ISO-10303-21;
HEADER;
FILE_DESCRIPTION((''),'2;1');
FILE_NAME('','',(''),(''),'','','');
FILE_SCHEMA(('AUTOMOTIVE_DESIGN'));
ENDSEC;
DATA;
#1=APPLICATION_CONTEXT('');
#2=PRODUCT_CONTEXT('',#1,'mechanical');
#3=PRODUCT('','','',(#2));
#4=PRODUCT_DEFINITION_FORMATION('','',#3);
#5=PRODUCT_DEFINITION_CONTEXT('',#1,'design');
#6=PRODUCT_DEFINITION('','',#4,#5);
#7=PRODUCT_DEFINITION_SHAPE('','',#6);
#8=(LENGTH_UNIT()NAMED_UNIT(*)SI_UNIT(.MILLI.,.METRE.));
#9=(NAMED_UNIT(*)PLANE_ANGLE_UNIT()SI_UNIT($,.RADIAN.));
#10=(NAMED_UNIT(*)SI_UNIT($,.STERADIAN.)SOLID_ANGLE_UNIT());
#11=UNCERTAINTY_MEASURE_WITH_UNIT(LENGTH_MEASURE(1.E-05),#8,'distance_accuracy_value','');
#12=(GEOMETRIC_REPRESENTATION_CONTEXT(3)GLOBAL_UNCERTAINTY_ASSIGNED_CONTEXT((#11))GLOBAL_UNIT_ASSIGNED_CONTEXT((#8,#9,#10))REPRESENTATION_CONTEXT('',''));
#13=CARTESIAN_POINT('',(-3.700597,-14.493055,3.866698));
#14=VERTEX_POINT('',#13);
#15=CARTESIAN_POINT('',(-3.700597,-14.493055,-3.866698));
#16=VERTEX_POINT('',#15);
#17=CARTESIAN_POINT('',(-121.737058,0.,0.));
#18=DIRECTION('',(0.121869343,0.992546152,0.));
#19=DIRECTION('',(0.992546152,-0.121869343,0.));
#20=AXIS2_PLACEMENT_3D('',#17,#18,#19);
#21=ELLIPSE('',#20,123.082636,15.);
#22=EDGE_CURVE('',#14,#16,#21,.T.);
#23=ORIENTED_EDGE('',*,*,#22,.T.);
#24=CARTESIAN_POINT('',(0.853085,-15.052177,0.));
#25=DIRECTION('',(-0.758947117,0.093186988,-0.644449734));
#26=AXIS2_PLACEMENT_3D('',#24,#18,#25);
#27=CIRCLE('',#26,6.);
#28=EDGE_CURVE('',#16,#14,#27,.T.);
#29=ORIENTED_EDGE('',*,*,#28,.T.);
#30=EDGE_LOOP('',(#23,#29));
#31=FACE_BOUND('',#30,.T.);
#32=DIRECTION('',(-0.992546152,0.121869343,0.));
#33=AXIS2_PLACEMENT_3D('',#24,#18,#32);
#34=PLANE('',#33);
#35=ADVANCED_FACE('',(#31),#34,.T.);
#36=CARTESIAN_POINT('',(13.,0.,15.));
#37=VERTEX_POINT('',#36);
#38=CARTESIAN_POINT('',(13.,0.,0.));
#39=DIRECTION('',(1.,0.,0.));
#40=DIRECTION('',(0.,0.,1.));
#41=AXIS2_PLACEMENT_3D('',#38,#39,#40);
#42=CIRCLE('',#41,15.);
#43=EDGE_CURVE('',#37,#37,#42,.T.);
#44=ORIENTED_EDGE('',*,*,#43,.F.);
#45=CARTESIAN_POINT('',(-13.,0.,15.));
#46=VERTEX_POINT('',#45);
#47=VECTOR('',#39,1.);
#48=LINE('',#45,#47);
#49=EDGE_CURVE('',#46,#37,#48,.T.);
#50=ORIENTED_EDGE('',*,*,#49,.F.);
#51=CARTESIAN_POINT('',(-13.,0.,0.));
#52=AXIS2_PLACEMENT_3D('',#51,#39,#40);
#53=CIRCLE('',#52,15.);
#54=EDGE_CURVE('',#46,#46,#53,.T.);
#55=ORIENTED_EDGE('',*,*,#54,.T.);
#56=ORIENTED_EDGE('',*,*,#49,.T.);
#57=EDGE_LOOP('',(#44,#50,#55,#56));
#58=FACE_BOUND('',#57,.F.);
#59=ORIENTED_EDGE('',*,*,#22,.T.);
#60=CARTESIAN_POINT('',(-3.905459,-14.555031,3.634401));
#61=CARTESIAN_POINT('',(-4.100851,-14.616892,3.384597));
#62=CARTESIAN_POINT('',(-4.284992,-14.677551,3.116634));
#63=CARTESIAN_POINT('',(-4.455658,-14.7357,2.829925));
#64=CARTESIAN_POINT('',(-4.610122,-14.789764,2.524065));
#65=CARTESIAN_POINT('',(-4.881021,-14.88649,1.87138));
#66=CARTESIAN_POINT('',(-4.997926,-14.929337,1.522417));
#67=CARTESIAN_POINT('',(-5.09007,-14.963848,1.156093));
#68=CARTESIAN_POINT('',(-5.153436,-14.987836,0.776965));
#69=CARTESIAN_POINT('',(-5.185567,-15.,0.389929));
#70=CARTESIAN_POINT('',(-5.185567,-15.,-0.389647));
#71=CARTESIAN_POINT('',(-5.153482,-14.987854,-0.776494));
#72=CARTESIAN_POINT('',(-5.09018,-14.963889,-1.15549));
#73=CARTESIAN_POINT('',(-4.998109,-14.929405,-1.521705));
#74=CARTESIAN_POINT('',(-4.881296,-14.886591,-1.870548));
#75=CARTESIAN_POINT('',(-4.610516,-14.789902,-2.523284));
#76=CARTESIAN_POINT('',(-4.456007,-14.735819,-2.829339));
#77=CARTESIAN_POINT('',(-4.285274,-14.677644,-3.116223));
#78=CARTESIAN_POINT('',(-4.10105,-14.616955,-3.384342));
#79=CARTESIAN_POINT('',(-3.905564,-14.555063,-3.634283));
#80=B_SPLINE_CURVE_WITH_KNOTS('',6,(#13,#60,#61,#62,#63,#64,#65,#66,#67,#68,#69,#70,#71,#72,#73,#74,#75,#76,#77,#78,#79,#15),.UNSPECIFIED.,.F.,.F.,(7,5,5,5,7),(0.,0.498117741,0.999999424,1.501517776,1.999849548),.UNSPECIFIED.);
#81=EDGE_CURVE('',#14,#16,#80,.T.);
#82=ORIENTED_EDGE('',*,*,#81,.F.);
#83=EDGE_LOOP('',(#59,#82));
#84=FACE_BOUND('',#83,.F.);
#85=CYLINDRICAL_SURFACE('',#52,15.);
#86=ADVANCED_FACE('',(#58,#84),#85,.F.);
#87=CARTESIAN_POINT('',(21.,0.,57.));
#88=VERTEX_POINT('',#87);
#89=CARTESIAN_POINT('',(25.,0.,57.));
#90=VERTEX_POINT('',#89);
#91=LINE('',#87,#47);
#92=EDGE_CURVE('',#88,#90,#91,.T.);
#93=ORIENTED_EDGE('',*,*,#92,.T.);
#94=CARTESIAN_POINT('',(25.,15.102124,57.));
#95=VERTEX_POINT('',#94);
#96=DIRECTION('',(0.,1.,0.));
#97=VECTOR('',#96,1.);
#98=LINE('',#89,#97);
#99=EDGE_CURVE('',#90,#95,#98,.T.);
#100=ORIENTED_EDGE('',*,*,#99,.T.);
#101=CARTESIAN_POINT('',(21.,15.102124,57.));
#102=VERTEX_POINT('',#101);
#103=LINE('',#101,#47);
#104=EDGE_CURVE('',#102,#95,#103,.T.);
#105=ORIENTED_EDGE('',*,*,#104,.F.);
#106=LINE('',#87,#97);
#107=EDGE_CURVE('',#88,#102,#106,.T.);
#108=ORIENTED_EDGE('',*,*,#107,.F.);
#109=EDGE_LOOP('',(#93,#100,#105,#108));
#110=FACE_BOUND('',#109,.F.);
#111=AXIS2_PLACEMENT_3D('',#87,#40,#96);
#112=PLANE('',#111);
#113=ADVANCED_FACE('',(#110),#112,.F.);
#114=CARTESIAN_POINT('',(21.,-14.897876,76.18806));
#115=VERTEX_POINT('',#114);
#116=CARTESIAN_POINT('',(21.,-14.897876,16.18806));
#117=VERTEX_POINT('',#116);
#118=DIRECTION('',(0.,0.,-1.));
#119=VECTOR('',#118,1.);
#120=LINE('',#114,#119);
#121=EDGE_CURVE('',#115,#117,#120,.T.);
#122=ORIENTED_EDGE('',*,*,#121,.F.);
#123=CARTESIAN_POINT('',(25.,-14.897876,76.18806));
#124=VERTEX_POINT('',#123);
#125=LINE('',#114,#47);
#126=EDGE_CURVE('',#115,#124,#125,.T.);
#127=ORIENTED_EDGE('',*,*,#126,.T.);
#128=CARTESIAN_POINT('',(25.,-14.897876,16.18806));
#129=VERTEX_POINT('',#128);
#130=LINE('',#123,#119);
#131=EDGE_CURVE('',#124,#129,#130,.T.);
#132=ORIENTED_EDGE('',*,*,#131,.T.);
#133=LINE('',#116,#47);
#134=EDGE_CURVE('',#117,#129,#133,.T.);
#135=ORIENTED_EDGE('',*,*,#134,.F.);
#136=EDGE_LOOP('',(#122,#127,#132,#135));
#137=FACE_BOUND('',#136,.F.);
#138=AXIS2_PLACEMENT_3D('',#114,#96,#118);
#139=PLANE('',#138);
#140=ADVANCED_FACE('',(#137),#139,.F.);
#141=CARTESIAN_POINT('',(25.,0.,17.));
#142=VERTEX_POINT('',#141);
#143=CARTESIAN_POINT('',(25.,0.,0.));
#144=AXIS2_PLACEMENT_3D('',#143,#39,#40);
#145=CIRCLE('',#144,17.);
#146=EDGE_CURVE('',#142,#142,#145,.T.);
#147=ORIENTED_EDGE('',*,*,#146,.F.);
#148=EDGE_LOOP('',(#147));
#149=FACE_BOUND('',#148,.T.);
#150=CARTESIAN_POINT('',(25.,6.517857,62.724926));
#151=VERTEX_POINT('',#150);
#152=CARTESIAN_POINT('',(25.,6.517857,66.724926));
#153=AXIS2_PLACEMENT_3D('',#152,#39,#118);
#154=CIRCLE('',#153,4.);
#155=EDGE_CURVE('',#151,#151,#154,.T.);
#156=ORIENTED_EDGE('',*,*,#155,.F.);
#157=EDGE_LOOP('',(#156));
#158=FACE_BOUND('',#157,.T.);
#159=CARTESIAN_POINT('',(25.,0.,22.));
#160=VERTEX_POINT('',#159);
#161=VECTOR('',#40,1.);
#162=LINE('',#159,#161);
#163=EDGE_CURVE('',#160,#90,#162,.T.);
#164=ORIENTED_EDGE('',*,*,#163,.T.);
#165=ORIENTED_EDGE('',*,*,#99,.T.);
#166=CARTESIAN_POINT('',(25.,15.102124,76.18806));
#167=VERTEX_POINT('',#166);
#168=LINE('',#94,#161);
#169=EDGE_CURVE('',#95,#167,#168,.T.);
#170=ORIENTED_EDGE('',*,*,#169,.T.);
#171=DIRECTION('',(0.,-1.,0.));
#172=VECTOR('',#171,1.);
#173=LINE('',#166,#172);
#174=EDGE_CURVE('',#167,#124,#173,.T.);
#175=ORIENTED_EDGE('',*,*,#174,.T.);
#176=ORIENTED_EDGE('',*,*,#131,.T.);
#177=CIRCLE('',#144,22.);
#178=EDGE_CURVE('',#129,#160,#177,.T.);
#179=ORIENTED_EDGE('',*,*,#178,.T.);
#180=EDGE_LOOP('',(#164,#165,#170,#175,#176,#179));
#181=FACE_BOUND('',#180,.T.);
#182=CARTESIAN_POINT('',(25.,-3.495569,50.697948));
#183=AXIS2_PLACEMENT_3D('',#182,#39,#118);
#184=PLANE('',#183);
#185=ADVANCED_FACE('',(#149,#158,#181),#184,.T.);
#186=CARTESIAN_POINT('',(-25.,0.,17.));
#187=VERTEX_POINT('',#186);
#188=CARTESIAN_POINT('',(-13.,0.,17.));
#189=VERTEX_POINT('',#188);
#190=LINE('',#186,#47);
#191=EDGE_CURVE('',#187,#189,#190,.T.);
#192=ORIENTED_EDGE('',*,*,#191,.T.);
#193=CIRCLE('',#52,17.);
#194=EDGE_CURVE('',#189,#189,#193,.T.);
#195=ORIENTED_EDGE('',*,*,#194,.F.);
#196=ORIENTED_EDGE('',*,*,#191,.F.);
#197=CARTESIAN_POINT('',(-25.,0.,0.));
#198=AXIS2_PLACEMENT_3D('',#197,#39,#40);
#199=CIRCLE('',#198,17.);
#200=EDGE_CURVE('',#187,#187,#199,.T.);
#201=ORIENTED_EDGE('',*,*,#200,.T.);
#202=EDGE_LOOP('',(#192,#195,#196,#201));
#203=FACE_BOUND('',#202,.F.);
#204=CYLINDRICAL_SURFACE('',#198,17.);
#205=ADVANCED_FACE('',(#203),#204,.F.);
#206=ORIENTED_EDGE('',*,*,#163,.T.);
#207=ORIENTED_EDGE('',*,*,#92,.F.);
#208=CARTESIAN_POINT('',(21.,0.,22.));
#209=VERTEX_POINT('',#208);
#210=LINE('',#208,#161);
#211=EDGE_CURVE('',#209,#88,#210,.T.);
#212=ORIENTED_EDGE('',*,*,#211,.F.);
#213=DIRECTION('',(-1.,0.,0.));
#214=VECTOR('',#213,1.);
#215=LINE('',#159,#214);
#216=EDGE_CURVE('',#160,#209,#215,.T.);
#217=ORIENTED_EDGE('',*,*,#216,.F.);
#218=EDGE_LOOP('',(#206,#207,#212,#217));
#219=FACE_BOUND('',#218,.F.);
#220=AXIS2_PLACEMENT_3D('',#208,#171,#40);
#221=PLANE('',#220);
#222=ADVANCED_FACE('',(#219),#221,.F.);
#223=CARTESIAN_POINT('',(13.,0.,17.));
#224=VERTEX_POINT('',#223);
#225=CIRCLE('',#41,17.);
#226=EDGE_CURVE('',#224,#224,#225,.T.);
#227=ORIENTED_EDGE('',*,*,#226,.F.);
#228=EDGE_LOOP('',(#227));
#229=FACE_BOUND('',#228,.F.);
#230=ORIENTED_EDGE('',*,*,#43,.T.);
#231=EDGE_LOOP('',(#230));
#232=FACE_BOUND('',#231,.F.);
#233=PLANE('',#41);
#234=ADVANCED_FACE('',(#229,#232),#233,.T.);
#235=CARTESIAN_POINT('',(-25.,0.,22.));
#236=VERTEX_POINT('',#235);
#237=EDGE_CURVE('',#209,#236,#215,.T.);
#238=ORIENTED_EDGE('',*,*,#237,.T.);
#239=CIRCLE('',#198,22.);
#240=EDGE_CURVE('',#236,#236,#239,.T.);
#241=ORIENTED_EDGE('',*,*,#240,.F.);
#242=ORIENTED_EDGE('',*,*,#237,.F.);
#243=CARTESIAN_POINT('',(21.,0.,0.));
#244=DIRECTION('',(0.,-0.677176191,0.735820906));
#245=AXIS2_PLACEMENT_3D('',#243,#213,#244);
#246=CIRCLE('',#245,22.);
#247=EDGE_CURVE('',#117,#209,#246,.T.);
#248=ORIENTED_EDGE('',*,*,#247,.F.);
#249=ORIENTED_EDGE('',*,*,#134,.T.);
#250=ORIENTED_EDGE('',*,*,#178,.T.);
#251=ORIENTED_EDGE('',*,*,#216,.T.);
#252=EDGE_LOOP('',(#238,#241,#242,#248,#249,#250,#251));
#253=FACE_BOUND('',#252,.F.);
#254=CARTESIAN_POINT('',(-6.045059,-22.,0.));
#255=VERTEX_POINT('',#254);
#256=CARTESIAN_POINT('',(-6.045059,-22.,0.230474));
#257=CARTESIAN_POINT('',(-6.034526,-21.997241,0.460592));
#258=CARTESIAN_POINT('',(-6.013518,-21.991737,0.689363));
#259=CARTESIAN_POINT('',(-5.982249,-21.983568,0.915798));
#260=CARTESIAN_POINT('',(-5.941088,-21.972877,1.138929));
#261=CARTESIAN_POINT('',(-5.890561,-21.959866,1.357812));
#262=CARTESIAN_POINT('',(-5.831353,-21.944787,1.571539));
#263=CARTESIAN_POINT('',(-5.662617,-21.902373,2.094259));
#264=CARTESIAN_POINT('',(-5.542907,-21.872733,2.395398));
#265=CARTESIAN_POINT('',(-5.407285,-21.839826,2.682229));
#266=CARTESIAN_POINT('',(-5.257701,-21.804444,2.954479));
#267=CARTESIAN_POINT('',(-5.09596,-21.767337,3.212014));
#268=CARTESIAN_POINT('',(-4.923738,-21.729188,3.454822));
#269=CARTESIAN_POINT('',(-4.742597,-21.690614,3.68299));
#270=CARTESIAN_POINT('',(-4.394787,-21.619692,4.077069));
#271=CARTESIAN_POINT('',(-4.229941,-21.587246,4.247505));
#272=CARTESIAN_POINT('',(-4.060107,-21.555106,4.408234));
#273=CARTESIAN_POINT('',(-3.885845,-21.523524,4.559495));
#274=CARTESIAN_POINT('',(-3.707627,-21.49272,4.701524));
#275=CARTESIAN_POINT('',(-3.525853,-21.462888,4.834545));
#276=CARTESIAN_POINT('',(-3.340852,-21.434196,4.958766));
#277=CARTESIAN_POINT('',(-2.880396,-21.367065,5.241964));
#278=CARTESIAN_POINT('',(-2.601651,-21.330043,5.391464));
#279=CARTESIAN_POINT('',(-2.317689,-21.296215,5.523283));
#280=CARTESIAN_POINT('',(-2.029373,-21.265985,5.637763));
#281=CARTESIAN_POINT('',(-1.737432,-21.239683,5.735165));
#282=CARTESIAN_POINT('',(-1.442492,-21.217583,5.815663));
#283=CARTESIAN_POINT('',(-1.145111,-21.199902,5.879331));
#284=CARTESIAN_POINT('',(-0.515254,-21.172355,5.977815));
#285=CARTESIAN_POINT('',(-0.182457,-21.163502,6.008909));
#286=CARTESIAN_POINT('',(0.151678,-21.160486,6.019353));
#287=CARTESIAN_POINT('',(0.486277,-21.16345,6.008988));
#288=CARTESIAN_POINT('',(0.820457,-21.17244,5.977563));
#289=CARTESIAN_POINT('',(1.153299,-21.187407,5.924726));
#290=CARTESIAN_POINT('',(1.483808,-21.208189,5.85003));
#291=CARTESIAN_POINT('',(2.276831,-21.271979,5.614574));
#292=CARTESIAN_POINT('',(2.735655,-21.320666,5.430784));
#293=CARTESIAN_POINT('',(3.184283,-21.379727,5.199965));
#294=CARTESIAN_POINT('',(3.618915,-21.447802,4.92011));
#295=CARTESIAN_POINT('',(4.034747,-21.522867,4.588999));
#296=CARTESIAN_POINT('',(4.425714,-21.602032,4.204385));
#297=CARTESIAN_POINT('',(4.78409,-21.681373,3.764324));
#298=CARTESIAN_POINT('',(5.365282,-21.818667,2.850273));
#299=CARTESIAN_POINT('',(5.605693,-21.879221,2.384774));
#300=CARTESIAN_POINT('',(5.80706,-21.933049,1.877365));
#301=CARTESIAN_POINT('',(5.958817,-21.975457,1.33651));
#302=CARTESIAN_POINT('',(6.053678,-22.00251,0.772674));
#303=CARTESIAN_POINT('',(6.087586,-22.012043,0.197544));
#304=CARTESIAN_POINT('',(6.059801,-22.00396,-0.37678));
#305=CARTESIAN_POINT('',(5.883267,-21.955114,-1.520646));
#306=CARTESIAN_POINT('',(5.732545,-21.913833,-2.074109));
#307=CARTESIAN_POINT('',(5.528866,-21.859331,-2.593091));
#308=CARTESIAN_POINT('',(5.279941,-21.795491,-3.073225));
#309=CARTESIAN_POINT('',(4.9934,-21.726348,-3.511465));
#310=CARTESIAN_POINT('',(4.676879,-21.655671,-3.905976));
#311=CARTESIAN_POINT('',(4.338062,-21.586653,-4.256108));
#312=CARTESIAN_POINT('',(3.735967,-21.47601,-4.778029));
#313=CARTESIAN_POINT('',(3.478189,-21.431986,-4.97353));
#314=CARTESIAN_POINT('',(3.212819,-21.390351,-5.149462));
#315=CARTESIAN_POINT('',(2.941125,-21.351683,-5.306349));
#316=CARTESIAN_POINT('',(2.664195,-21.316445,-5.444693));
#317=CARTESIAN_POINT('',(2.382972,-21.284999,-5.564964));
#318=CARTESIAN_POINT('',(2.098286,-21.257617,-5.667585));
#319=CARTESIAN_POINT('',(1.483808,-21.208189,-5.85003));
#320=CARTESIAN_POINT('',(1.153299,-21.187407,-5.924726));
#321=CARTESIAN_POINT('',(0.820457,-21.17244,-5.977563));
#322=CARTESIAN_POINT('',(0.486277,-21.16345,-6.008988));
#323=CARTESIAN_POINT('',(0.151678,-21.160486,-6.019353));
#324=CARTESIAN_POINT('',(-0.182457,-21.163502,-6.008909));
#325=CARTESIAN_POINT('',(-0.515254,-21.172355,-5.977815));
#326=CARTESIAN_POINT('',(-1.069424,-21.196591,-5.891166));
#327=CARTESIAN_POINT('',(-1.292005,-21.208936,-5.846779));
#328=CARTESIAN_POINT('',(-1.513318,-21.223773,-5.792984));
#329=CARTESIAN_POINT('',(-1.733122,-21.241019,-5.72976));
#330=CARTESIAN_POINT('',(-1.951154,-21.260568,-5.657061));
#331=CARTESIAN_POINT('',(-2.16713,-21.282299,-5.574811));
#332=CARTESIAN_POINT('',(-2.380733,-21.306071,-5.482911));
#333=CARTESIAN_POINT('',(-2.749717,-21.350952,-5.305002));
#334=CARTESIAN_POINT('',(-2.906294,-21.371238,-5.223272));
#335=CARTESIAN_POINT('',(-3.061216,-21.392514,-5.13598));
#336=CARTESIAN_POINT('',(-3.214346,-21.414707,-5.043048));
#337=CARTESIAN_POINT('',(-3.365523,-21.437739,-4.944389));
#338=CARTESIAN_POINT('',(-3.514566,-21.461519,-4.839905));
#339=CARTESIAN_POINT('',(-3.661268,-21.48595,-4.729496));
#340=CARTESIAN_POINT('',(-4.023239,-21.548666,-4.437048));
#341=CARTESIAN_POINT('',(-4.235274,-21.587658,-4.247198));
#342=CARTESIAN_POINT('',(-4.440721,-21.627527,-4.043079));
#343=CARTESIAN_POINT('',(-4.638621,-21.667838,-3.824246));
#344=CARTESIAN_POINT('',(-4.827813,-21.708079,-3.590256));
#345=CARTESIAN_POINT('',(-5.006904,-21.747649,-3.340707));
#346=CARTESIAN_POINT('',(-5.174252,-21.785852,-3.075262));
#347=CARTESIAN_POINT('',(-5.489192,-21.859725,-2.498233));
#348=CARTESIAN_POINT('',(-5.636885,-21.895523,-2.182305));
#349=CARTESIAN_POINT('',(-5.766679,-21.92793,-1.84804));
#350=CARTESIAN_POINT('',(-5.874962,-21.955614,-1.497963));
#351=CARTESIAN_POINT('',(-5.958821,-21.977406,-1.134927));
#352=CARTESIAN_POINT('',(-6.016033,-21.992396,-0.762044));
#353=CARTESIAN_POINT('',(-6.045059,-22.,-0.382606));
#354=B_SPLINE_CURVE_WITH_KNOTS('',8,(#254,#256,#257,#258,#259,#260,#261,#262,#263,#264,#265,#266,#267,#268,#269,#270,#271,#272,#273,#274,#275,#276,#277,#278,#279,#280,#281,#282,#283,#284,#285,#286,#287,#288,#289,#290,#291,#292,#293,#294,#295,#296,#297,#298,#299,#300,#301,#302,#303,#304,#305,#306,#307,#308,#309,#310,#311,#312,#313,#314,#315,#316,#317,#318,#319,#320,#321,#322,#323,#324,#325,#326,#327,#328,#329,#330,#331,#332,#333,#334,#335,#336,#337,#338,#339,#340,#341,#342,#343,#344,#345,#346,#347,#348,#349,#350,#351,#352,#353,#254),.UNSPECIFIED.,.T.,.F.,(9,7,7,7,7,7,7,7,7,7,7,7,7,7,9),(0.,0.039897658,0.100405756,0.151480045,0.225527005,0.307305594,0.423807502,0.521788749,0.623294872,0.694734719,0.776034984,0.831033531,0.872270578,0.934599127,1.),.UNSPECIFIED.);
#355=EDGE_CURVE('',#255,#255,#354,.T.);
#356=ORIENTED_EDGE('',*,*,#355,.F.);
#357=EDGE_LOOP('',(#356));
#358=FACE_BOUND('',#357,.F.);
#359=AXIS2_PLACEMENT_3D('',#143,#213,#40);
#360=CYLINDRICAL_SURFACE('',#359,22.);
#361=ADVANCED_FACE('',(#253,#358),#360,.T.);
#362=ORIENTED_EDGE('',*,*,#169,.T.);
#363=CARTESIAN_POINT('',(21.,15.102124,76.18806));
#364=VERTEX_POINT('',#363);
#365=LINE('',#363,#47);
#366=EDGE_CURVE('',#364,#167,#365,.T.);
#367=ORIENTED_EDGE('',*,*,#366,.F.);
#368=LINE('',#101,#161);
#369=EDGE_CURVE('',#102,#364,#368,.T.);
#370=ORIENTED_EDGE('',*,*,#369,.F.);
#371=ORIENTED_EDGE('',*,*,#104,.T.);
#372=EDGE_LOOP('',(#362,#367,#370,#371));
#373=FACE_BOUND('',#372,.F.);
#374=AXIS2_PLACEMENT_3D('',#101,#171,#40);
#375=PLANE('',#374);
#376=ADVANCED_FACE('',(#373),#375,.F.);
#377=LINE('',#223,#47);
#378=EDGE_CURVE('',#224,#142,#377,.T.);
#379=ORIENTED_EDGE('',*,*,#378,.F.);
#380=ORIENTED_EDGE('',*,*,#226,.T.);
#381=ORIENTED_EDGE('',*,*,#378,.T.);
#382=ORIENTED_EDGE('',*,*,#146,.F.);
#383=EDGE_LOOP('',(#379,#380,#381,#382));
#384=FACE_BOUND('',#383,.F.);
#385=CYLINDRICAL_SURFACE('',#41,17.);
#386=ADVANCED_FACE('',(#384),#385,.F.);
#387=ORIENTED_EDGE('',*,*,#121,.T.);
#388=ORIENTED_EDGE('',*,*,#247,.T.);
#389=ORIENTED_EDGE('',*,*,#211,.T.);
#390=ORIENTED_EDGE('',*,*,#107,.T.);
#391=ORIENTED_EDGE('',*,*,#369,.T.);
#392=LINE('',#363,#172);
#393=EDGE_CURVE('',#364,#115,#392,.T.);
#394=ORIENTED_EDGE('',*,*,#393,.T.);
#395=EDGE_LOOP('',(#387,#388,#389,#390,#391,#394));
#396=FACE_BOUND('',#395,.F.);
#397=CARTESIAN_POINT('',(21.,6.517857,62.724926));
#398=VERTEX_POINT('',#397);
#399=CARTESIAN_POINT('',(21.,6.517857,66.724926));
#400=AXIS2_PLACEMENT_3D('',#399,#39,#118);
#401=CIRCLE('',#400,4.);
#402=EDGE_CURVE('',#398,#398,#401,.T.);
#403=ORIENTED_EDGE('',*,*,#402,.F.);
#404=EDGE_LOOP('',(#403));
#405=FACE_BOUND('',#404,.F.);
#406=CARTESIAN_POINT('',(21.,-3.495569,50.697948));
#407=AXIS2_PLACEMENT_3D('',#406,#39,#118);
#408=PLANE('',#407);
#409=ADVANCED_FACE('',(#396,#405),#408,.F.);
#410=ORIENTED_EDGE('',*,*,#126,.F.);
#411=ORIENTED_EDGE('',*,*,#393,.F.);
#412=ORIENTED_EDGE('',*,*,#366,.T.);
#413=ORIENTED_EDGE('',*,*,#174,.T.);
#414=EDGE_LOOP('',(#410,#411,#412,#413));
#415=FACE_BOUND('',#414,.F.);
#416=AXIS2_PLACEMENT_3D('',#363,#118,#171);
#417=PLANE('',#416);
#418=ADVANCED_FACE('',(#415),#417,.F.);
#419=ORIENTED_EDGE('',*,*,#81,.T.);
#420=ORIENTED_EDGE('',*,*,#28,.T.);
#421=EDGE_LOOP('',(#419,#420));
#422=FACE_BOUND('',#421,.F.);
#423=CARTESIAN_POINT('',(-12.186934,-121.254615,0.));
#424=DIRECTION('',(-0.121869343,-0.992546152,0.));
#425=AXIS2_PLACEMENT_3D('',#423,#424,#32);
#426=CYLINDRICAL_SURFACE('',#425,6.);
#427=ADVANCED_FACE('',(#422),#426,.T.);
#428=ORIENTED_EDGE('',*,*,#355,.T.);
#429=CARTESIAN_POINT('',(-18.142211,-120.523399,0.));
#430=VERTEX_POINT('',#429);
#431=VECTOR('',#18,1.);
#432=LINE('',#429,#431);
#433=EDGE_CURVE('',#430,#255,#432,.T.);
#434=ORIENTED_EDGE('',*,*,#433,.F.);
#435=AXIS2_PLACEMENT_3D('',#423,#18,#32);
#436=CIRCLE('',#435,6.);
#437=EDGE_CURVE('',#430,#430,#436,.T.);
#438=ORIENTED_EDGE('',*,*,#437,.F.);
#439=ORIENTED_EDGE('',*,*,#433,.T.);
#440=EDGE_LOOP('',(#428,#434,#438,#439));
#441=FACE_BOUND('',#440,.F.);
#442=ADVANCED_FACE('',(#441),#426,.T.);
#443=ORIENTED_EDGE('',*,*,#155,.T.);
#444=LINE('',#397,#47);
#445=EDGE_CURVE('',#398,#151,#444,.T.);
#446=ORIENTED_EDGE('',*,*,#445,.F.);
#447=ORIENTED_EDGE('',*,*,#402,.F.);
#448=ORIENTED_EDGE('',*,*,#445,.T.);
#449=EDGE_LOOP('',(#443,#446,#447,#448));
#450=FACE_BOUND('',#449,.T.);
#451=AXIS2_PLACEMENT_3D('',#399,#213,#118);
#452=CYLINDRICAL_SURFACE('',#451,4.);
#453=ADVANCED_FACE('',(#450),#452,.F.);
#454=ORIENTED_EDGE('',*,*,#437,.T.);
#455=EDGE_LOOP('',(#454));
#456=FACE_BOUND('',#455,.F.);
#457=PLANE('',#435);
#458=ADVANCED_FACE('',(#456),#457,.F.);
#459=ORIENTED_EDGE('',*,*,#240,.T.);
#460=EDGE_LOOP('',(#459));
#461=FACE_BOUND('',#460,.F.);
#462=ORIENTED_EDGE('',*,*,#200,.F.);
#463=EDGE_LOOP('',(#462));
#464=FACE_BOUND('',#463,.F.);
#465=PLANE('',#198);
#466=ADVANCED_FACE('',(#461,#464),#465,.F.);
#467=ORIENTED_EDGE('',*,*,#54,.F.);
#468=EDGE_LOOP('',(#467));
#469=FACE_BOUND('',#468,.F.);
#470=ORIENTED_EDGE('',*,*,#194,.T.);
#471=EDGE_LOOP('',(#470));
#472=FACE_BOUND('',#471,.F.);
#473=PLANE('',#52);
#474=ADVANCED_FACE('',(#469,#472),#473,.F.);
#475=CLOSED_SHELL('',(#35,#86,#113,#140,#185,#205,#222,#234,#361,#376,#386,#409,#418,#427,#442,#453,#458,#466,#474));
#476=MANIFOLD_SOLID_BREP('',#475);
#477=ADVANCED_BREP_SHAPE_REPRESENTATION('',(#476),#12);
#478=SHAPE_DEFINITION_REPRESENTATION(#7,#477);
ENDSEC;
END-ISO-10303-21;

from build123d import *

# Parameters (mm, degrees)
BOSS_EXTRUDE1_START      = -4
SKETCH8_R                = 4
BOSS_EXTRUDE1_DEPTH      = 4
BOSS_EXTRUDE2_DEPTH      = 7
BOSS_EXTRUDE2_DEPTH_BACK = 100
SKETCH7_2_R              = 6


with BuildPart() as part:
    # Sketch1 → Revolve1 (revolve)
    with BuildSketch(Plane.XY):
        Polygon((-25, 22), (-25, 17), (-13, 17), (-13, 15), (13, 15), (13, 17), (25, 17), (25, 22), align=None)
    revolve(axis=Axis((-45.766103365, 0, 0), (1, 0, 0)))

    # Sketch8 → Boss-Extrude1 (add)
    with BuildSketch(Plane(origin=(25, 0, 0), x_dir=(0, 0, -1), z_dir=(1, 0, 0)).offset(BOSS_EXTRUDE1_START)):
        with BuildLine():
            Line((-22, 0), (-57, 0))
            Line((-57, 0), (-57, 15.102123796))
            Line((-57, 15.102123796), (-76.188059939, 15.102123796))
            Line((-76.188059939, 15.102123796), (-76.188059939, -14.897876204))
            Line((-76.188059939, -14.897876204), (-16.188059939, -14.897876204))
            ThreePointArc((-16.188059939, -14.897876204), (-20.49557658, -7.99570764), (-22, 0))
        make_face()
        with Locations((-66.724926484, 6.517856695)):
            Circle(SKETCH8_R, mode=Mode.SUBTRACT)
    extrude(amount=BOSS_EXTRUDE1_DEPTH)

    # Sketch7<2> → Boss-Extrude2 (add, two sides: drawn at the far end of the back side and taken through both)
    with BuildSketch(Plane(origin=(-2.661140852, -21.673252989, 0), x_dir=(0, 0, -1), z_dir=(0.1218693434051474, 0.9925461516413221, 0)).offset(-BOSS_EXTRUDE2_DEPTH_BACK)):
        with Locations((0, -2.681125555)):
            Circle(SKETCH7_2_R)
    extrude(amount=BOSS_EXTRUDE2_DEPTH + BOSS_EXTRUDE2_DEPTH_BACK)


solid = part.part
